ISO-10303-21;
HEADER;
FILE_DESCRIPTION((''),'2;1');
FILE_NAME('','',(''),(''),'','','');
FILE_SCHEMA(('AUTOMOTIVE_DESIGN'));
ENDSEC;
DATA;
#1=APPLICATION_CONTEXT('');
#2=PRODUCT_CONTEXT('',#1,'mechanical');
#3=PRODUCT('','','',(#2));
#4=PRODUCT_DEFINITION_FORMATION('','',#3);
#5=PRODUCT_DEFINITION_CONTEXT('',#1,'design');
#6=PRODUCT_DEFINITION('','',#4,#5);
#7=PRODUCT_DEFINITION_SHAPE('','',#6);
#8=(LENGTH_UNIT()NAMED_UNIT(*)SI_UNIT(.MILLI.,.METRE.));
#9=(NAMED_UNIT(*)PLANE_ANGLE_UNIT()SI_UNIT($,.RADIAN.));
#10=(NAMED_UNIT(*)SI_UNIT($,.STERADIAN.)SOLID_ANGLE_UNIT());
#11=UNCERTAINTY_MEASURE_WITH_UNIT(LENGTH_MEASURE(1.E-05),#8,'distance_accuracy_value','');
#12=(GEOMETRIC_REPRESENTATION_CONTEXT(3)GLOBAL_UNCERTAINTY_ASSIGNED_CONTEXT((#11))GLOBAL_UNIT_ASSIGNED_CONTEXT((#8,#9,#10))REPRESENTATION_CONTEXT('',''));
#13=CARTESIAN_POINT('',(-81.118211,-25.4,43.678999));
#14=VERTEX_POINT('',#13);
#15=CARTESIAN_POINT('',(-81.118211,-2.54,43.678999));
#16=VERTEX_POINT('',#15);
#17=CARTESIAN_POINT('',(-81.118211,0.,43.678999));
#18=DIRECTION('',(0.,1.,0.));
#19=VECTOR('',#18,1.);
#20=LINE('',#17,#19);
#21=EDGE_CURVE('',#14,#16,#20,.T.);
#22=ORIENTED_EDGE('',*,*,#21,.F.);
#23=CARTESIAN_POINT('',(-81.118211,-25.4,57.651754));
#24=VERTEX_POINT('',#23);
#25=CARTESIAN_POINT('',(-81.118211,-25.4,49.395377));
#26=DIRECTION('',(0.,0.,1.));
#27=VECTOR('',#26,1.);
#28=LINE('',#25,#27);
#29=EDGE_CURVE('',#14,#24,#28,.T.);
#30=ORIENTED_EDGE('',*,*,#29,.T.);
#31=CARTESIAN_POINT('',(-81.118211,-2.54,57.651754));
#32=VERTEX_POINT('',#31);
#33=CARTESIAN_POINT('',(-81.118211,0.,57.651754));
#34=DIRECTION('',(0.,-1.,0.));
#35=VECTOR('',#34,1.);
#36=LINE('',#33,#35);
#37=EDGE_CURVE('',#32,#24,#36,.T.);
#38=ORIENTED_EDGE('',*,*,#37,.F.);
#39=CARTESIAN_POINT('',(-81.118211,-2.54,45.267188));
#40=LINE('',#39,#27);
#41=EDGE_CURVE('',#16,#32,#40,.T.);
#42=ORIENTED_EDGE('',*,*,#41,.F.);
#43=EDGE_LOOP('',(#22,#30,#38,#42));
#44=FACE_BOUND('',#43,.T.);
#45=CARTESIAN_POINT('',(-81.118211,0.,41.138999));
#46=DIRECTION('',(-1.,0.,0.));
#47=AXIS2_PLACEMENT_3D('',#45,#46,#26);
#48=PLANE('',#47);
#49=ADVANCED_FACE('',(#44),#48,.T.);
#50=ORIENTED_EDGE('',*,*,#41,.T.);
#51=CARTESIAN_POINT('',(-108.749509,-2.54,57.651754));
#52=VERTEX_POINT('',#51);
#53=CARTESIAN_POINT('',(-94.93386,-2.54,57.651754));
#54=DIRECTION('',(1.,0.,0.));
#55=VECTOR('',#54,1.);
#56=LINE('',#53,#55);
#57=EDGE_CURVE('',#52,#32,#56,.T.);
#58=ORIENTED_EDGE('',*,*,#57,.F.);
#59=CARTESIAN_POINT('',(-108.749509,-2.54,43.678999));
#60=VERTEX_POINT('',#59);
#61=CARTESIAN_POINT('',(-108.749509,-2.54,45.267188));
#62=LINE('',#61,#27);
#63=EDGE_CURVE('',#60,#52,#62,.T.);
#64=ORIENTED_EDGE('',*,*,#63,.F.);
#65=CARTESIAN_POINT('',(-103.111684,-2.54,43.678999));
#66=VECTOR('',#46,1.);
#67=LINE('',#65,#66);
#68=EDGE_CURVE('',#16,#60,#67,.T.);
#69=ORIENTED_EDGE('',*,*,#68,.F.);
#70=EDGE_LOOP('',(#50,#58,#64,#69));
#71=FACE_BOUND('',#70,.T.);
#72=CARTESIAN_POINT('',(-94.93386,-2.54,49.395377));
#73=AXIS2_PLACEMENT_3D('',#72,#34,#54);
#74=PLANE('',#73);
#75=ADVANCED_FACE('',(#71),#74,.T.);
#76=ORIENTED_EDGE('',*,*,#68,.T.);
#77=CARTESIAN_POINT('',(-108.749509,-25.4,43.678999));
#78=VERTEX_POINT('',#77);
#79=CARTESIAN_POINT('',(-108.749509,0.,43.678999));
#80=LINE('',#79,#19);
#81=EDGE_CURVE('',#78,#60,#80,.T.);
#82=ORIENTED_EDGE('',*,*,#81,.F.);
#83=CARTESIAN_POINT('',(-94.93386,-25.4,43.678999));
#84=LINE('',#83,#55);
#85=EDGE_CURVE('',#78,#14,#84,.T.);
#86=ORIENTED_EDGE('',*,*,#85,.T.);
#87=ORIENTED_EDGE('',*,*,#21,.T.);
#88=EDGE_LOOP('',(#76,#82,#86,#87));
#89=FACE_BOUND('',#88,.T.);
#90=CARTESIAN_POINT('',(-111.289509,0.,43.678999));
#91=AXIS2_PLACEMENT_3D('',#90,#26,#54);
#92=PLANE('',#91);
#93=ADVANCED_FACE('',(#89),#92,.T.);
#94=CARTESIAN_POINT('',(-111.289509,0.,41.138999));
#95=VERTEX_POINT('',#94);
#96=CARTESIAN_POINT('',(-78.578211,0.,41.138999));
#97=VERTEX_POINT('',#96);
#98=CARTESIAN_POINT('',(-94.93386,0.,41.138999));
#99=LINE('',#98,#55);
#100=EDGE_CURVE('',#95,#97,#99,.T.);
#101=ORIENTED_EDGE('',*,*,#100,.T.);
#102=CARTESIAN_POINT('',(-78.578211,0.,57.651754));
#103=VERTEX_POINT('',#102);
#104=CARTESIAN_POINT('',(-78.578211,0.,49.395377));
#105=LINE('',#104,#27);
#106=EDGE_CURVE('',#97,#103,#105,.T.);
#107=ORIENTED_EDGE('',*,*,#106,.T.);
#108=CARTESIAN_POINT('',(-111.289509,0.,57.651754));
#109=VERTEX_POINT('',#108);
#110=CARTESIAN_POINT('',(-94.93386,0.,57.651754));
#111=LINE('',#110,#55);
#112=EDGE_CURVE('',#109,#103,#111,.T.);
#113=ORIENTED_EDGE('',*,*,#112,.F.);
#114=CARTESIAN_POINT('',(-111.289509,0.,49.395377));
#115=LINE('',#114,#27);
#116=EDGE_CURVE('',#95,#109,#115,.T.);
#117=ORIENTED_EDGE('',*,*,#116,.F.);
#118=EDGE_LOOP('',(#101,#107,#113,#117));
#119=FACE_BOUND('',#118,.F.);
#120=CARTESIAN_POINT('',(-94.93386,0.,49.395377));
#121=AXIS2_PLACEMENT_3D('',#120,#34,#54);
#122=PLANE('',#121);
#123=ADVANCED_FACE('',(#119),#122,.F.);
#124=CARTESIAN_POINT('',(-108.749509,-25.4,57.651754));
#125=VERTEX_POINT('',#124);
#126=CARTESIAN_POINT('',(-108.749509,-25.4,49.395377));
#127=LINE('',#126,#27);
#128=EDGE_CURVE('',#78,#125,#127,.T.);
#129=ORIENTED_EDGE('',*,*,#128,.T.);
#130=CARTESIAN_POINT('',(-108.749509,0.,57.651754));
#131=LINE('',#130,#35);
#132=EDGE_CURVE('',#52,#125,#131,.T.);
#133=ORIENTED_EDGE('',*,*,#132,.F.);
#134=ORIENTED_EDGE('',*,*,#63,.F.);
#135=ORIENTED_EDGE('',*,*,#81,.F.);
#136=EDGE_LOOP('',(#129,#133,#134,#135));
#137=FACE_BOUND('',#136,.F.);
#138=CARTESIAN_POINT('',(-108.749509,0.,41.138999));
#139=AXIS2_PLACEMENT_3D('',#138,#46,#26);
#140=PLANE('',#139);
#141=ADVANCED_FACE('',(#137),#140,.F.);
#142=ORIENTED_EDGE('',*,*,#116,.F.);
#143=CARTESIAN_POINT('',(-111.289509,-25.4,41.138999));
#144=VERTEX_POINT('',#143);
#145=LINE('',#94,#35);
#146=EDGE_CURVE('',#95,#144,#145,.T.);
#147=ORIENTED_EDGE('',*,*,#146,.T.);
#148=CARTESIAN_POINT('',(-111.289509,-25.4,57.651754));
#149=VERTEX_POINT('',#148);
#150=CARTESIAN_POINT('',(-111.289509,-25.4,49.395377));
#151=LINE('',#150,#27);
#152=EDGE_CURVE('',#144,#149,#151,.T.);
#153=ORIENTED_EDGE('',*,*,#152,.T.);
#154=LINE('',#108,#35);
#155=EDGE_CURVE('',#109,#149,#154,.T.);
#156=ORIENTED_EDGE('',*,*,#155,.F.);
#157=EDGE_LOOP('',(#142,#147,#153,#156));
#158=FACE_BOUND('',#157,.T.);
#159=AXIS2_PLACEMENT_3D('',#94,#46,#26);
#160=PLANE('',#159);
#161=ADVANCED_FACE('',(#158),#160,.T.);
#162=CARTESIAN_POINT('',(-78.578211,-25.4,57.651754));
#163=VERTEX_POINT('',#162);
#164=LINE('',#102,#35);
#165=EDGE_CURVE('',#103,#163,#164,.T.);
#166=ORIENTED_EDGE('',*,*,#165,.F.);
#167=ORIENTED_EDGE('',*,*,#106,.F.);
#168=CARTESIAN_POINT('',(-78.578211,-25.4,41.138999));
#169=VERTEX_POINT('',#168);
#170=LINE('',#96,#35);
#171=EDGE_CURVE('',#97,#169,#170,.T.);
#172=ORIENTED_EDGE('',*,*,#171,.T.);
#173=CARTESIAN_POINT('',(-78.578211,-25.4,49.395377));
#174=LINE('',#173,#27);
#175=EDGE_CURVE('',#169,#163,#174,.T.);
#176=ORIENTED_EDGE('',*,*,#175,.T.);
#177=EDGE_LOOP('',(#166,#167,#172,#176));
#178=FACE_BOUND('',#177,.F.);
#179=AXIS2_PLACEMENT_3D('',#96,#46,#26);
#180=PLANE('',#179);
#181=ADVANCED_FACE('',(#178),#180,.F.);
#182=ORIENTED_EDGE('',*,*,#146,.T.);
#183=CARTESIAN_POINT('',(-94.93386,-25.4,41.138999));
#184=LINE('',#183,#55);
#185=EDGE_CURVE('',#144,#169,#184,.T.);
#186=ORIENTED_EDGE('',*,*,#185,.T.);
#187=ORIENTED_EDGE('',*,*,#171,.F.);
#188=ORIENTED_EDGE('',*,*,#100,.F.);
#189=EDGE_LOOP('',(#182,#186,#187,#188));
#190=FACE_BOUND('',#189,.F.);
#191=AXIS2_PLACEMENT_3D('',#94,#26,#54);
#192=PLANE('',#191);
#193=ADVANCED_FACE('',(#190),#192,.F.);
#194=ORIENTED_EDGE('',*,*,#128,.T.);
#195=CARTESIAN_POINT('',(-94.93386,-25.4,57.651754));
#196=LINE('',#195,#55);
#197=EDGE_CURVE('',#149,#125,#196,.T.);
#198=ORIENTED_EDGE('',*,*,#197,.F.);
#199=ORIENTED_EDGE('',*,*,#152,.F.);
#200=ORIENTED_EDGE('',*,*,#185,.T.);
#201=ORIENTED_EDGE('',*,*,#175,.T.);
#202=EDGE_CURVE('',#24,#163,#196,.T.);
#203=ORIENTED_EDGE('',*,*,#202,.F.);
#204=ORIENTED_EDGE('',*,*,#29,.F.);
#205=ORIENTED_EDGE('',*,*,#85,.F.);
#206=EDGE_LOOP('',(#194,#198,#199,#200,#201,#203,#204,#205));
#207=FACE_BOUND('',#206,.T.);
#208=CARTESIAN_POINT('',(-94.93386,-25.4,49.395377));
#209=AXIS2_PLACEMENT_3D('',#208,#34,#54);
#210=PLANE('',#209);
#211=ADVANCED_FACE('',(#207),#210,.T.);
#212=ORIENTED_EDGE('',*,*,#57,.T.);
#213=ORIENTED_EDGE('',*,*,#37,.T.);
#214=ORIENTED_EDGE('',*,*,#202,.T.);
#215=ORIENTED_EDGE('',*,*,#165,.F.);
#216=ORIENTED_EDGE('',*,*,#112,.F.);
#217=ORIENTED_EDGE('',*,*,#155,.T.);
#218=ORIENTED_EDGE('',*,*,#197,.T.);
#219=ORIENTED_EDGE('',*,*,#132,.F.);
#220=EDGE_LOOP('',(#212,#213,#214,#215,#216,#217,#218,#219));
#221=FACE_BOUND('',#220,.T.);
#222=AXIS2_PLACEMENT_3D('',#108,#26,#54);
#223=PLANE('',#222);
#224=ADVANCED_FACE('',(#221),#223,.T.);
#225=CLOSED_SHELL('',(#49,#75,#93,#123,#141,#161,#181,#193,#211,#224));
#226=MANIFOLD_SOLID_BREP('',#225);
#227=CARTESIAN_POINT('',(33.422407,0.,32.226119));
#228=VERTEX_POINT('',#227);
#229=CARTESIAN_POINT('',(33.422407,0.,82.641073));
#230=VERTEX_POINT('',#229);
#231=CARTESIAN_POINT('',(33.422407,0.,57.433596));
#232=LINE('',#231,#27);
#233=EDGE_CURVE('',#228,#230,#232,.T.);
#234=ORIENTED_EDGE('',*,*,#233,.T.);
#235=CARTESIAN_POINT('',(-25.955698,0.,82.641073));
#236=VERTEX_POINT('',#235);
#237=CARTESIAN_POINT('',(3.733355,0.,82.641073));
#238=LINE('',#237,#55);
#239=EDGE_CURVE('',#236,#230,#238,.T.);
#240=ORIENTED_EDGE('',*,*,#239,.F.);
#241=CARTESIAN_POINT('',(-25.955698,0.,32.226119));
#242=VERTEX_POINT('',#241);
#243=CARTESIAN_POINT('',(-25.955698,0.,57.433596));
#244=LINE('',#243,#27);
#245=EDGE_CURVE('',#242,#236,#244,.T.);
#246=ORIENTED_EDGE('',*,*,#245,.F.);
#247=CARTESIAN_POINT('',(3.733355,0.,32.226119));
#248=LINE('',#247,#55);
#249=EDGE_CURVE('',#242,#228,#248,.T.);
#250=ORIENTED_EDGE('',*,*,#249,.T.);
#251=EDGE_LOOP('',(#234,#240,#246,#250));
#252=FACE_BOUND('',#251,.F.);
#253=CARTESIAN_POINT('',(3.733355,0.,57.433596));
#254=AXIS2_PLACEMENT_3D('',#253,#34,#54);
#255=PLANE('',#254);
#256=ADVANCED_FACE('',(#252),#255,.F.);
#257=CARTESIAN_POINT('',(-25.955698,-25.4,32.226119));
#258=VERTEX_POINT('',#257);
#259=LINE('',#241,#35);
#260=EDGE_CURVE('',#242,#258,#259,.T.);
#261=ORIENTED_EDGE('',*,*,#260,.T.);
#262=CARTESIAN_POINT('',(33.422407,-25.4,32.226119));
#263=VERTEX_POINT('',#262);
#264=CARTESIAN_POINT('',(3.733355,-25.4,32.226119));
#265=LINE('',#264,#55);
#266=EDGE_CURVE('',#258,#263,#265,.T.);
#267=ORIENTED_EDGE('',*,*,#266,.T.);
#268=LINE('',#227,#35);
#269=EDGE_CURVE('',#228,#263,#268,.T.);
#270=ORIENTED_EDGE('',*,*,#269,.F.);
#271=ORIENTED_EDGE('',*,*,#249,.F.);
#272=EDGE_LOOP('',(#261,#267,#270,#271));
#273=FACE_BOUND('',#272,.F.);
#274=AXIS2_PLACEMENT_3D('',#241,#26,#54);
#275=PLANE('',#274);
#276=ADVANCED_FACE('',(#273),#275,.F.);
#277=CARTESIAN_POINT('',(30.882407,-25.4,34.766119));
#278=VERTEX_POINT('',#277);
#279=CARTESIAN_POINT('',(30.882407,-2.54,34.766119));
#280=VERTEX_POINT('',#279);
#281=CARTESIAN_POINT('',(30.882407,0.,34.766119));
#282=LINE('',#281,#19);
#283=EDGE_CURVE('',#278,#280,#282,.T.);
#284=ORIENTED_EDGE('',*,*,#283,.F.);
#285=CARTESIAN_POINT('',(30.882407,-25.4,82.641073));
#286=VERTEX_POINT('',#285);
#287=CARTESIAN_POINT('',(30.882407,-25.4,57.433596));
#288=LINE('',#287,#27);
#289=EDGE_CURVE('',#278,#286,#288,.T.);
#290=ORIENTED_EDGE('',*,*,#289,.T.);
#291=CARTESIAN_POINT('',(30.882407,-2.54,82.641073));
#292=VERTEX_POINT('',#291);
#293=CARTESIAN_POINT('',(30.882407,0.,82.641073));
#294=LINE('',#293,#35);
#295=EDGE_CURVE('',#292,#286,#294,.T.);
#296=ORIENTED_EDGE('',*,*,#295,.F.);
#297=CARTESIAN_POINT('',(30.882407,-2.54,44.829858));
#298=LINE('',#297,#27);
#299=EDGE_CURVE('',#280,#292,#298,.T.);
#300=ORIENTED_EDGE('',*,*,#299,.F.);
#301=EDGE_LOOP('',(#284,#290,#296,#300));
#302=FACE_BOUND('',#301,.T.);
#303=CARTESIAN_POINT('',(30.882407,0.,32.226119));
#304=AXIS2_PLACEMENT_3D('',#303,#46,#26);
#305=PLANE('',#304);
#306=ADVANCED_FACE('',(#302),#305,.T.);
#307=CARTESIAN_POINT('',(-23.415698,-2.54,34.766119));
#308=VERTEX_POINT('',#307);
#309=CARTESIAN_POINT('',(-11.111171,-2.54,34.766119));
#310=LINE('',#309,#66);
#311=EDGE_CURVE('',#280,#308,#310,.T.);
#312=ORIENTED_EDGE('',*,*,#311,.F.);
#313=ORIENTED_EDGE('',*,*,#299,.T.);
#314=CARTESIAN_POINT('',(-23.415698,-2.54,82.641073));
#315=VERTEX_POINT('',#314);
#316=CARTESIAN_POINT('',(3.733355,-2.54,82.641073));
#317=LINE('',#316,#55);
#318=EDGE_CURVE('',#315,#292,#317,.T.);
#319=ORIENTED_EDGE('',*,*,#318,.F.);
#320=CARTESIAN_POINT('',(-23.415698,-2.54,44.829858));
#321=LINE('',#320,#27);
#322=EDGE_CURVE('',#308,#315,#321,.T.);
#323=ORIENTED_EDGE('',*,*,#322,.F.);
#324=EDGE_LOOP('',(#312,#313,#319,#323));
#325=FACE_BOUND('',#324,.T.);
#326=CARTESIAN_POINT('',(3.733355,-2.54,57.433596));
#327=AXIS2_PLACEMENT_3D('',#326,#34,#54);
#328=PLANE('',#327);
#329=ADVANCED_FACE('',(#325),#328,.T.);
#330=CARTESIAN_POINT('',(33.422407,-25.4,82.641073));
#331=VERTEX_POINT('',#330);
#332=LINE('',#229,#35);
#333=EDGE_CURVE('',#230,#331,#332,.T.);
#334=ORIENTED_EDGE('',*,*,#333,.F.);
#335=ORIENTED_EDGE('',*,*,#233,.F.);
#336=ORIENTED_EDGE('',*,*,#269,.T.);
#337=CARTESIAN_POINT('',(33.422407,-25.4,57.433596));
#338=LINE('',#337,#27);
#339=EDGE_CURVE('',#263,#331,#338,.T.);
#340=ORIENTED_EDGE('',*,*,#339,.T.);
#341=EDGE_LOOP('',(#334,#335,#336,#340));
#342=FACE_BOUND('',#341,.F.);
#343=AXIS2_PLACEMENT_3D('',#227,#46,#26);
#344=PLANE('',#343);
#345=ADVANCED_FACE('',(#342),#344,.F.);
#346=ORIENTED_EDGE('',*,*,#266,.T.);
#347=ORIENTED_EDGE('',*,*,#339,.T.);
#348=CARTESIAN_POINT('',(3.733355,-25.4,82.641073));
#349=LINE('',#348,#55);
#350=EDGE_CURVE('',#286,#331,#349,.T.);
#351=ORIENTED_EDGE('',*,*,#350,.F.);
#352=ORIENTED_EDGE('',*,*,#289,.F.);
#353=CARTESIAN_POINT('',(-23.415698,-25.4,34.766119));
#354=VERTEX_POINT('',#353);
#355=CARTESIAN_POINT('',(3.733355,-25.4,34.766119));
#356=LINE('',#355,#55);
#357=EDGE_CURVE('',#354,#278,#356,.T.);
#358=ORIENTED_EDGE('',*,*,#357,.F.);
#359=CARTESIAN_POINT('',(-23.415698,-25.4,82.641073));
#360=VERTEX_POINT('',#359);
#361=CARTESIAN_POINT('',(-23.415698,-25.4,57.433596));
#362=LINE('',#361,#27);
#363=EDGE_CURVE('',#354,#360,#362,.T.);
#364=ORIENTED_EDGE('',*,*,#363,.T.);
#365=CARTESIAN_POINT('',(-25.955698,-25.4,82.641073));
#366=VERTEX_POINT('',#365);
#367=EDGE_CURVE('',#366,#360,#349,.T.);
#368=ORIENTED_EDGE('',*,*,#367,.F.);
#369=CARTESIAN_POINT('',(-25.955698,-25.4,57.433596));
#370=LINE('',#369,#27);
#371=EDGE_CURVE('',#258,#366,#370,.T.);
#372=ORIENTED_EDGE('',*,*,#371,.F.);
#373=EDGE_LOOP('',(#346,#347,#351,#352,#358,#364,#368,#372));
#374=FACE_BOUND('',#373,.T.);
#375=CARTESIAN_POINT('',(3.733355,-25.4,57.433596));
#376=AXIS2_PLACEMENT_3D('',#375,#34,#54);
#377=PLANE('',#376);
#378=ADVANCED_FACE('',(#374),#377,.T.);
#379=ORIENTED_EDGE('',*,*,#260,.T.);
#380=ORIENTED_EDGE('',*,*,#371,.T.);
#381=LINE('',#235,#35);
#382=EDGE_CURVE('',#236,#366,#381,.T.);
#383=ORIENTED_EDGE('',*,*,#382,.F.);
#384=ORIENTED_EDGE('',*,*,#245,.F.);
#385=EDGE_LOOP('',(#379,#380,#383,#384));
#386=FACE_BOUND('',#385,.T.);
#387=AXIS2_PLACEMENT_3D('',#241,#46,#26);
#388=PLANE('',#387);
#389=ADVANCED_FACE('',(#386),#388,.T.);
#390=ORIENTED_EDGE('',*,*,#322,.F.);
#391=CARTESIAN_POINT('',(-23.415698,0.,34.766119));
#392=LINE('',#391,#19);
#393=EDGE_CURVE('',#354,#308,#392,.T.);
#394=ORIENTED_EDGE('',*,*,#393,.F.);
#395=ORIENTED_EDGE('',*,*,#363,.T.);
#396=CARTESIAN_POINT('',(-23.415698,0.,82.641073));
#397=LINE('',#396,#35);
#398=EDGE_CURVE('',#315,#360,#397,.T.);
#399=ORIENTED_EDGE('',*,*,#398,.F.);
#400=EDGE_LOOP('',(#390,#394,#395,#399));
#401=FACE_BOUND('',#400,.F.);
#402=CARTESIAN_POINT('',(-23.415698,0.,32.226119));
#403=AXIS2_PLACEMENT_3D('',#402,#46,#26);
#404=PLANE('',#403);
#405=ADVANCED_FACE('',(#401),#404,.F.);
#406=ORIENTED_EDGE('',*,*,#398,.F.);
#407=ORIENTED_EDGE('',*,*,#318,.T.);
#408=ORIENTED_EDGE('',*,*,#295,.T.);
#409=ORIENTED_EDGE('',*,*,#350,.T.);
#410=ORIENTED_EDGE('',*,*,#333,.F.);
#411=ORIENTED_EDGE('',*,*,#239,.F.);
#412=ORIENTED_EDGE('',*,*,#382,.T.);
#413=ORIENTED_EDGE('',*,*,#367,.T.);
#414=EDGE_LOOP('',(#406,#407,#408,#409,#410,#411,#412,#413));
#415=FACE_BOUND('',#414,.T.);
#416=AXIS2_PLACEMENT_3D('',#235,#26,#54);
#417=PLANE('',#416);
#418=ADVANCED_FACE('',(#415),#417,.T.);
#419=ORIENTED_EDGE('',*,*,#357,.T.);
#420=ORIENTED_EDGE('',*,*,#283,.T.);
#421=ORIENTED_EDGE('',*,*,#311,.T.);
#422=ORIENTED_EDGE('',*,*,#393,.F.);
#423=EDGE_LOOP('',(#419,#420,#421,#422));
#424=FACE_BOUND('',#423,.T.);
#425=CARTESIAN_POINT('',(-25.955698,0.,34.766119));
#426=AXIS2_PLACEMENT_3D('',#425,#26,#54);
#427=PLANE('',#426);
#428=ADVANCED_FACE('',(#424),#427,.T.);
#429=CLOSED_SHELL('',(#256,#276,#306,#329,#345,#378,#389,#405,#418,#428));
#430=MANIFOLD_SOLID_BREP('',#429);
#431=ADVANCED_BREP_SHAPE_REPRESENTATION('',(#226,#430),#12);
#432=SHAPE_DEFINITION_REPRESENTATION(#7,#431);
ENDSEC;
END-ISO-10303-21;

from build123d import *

# Parameters (mm, degrees)
F0_W     = 32.7112972736
F0_H     = 16.5127553046
F1_DEPTH = 25.4
F0_W_2   = 59.3781042844
F0_H_2   = 50.4149533808
F2_T     = -2.54
F2_2_T   = -2.54


with BuildPart() as f1:
    # F0 (on Front) → F1 (new body)
    with BuildSketch(Plane.XZ):
        with Locations((-94.9338600039, 49.3953768164)):
            Rectangle(F0_W, F0_H)
    extrude(amount=F1_DEPTH)

    # F2
    f2_openings = [f1.faces().sort_by_distance(p)[0] for p in [
        (-94.93386, -12.7, 57.651754),
        (-94.93386, -25.4, 49.395377),
    ]]
    offset(amount=F2_T, openings=f2_openings)


with BuildPart() as f1b:
    # F0 (on Front) → F1, piece 2 (new body)
    with BuildSketch(Plane.XZ):
        with Locations((3.7333546206, 57.4335958809)):
            Rectangle(F0_W_2, F0_H_2)
    extrude(amount=F1_DEPTH)

    # F2#2
    f2_2_openings = [f1b.faces().sort_by_distance(p)[0] for p in [
        (3.733355, -25.4, 57.433596),
        (3.733355, -12.7, 82.641073),
    ]]
    offset(amount=F2_2_T, openings=f2_2_openings)


solid = Compound([f1.part, f1b.part])
